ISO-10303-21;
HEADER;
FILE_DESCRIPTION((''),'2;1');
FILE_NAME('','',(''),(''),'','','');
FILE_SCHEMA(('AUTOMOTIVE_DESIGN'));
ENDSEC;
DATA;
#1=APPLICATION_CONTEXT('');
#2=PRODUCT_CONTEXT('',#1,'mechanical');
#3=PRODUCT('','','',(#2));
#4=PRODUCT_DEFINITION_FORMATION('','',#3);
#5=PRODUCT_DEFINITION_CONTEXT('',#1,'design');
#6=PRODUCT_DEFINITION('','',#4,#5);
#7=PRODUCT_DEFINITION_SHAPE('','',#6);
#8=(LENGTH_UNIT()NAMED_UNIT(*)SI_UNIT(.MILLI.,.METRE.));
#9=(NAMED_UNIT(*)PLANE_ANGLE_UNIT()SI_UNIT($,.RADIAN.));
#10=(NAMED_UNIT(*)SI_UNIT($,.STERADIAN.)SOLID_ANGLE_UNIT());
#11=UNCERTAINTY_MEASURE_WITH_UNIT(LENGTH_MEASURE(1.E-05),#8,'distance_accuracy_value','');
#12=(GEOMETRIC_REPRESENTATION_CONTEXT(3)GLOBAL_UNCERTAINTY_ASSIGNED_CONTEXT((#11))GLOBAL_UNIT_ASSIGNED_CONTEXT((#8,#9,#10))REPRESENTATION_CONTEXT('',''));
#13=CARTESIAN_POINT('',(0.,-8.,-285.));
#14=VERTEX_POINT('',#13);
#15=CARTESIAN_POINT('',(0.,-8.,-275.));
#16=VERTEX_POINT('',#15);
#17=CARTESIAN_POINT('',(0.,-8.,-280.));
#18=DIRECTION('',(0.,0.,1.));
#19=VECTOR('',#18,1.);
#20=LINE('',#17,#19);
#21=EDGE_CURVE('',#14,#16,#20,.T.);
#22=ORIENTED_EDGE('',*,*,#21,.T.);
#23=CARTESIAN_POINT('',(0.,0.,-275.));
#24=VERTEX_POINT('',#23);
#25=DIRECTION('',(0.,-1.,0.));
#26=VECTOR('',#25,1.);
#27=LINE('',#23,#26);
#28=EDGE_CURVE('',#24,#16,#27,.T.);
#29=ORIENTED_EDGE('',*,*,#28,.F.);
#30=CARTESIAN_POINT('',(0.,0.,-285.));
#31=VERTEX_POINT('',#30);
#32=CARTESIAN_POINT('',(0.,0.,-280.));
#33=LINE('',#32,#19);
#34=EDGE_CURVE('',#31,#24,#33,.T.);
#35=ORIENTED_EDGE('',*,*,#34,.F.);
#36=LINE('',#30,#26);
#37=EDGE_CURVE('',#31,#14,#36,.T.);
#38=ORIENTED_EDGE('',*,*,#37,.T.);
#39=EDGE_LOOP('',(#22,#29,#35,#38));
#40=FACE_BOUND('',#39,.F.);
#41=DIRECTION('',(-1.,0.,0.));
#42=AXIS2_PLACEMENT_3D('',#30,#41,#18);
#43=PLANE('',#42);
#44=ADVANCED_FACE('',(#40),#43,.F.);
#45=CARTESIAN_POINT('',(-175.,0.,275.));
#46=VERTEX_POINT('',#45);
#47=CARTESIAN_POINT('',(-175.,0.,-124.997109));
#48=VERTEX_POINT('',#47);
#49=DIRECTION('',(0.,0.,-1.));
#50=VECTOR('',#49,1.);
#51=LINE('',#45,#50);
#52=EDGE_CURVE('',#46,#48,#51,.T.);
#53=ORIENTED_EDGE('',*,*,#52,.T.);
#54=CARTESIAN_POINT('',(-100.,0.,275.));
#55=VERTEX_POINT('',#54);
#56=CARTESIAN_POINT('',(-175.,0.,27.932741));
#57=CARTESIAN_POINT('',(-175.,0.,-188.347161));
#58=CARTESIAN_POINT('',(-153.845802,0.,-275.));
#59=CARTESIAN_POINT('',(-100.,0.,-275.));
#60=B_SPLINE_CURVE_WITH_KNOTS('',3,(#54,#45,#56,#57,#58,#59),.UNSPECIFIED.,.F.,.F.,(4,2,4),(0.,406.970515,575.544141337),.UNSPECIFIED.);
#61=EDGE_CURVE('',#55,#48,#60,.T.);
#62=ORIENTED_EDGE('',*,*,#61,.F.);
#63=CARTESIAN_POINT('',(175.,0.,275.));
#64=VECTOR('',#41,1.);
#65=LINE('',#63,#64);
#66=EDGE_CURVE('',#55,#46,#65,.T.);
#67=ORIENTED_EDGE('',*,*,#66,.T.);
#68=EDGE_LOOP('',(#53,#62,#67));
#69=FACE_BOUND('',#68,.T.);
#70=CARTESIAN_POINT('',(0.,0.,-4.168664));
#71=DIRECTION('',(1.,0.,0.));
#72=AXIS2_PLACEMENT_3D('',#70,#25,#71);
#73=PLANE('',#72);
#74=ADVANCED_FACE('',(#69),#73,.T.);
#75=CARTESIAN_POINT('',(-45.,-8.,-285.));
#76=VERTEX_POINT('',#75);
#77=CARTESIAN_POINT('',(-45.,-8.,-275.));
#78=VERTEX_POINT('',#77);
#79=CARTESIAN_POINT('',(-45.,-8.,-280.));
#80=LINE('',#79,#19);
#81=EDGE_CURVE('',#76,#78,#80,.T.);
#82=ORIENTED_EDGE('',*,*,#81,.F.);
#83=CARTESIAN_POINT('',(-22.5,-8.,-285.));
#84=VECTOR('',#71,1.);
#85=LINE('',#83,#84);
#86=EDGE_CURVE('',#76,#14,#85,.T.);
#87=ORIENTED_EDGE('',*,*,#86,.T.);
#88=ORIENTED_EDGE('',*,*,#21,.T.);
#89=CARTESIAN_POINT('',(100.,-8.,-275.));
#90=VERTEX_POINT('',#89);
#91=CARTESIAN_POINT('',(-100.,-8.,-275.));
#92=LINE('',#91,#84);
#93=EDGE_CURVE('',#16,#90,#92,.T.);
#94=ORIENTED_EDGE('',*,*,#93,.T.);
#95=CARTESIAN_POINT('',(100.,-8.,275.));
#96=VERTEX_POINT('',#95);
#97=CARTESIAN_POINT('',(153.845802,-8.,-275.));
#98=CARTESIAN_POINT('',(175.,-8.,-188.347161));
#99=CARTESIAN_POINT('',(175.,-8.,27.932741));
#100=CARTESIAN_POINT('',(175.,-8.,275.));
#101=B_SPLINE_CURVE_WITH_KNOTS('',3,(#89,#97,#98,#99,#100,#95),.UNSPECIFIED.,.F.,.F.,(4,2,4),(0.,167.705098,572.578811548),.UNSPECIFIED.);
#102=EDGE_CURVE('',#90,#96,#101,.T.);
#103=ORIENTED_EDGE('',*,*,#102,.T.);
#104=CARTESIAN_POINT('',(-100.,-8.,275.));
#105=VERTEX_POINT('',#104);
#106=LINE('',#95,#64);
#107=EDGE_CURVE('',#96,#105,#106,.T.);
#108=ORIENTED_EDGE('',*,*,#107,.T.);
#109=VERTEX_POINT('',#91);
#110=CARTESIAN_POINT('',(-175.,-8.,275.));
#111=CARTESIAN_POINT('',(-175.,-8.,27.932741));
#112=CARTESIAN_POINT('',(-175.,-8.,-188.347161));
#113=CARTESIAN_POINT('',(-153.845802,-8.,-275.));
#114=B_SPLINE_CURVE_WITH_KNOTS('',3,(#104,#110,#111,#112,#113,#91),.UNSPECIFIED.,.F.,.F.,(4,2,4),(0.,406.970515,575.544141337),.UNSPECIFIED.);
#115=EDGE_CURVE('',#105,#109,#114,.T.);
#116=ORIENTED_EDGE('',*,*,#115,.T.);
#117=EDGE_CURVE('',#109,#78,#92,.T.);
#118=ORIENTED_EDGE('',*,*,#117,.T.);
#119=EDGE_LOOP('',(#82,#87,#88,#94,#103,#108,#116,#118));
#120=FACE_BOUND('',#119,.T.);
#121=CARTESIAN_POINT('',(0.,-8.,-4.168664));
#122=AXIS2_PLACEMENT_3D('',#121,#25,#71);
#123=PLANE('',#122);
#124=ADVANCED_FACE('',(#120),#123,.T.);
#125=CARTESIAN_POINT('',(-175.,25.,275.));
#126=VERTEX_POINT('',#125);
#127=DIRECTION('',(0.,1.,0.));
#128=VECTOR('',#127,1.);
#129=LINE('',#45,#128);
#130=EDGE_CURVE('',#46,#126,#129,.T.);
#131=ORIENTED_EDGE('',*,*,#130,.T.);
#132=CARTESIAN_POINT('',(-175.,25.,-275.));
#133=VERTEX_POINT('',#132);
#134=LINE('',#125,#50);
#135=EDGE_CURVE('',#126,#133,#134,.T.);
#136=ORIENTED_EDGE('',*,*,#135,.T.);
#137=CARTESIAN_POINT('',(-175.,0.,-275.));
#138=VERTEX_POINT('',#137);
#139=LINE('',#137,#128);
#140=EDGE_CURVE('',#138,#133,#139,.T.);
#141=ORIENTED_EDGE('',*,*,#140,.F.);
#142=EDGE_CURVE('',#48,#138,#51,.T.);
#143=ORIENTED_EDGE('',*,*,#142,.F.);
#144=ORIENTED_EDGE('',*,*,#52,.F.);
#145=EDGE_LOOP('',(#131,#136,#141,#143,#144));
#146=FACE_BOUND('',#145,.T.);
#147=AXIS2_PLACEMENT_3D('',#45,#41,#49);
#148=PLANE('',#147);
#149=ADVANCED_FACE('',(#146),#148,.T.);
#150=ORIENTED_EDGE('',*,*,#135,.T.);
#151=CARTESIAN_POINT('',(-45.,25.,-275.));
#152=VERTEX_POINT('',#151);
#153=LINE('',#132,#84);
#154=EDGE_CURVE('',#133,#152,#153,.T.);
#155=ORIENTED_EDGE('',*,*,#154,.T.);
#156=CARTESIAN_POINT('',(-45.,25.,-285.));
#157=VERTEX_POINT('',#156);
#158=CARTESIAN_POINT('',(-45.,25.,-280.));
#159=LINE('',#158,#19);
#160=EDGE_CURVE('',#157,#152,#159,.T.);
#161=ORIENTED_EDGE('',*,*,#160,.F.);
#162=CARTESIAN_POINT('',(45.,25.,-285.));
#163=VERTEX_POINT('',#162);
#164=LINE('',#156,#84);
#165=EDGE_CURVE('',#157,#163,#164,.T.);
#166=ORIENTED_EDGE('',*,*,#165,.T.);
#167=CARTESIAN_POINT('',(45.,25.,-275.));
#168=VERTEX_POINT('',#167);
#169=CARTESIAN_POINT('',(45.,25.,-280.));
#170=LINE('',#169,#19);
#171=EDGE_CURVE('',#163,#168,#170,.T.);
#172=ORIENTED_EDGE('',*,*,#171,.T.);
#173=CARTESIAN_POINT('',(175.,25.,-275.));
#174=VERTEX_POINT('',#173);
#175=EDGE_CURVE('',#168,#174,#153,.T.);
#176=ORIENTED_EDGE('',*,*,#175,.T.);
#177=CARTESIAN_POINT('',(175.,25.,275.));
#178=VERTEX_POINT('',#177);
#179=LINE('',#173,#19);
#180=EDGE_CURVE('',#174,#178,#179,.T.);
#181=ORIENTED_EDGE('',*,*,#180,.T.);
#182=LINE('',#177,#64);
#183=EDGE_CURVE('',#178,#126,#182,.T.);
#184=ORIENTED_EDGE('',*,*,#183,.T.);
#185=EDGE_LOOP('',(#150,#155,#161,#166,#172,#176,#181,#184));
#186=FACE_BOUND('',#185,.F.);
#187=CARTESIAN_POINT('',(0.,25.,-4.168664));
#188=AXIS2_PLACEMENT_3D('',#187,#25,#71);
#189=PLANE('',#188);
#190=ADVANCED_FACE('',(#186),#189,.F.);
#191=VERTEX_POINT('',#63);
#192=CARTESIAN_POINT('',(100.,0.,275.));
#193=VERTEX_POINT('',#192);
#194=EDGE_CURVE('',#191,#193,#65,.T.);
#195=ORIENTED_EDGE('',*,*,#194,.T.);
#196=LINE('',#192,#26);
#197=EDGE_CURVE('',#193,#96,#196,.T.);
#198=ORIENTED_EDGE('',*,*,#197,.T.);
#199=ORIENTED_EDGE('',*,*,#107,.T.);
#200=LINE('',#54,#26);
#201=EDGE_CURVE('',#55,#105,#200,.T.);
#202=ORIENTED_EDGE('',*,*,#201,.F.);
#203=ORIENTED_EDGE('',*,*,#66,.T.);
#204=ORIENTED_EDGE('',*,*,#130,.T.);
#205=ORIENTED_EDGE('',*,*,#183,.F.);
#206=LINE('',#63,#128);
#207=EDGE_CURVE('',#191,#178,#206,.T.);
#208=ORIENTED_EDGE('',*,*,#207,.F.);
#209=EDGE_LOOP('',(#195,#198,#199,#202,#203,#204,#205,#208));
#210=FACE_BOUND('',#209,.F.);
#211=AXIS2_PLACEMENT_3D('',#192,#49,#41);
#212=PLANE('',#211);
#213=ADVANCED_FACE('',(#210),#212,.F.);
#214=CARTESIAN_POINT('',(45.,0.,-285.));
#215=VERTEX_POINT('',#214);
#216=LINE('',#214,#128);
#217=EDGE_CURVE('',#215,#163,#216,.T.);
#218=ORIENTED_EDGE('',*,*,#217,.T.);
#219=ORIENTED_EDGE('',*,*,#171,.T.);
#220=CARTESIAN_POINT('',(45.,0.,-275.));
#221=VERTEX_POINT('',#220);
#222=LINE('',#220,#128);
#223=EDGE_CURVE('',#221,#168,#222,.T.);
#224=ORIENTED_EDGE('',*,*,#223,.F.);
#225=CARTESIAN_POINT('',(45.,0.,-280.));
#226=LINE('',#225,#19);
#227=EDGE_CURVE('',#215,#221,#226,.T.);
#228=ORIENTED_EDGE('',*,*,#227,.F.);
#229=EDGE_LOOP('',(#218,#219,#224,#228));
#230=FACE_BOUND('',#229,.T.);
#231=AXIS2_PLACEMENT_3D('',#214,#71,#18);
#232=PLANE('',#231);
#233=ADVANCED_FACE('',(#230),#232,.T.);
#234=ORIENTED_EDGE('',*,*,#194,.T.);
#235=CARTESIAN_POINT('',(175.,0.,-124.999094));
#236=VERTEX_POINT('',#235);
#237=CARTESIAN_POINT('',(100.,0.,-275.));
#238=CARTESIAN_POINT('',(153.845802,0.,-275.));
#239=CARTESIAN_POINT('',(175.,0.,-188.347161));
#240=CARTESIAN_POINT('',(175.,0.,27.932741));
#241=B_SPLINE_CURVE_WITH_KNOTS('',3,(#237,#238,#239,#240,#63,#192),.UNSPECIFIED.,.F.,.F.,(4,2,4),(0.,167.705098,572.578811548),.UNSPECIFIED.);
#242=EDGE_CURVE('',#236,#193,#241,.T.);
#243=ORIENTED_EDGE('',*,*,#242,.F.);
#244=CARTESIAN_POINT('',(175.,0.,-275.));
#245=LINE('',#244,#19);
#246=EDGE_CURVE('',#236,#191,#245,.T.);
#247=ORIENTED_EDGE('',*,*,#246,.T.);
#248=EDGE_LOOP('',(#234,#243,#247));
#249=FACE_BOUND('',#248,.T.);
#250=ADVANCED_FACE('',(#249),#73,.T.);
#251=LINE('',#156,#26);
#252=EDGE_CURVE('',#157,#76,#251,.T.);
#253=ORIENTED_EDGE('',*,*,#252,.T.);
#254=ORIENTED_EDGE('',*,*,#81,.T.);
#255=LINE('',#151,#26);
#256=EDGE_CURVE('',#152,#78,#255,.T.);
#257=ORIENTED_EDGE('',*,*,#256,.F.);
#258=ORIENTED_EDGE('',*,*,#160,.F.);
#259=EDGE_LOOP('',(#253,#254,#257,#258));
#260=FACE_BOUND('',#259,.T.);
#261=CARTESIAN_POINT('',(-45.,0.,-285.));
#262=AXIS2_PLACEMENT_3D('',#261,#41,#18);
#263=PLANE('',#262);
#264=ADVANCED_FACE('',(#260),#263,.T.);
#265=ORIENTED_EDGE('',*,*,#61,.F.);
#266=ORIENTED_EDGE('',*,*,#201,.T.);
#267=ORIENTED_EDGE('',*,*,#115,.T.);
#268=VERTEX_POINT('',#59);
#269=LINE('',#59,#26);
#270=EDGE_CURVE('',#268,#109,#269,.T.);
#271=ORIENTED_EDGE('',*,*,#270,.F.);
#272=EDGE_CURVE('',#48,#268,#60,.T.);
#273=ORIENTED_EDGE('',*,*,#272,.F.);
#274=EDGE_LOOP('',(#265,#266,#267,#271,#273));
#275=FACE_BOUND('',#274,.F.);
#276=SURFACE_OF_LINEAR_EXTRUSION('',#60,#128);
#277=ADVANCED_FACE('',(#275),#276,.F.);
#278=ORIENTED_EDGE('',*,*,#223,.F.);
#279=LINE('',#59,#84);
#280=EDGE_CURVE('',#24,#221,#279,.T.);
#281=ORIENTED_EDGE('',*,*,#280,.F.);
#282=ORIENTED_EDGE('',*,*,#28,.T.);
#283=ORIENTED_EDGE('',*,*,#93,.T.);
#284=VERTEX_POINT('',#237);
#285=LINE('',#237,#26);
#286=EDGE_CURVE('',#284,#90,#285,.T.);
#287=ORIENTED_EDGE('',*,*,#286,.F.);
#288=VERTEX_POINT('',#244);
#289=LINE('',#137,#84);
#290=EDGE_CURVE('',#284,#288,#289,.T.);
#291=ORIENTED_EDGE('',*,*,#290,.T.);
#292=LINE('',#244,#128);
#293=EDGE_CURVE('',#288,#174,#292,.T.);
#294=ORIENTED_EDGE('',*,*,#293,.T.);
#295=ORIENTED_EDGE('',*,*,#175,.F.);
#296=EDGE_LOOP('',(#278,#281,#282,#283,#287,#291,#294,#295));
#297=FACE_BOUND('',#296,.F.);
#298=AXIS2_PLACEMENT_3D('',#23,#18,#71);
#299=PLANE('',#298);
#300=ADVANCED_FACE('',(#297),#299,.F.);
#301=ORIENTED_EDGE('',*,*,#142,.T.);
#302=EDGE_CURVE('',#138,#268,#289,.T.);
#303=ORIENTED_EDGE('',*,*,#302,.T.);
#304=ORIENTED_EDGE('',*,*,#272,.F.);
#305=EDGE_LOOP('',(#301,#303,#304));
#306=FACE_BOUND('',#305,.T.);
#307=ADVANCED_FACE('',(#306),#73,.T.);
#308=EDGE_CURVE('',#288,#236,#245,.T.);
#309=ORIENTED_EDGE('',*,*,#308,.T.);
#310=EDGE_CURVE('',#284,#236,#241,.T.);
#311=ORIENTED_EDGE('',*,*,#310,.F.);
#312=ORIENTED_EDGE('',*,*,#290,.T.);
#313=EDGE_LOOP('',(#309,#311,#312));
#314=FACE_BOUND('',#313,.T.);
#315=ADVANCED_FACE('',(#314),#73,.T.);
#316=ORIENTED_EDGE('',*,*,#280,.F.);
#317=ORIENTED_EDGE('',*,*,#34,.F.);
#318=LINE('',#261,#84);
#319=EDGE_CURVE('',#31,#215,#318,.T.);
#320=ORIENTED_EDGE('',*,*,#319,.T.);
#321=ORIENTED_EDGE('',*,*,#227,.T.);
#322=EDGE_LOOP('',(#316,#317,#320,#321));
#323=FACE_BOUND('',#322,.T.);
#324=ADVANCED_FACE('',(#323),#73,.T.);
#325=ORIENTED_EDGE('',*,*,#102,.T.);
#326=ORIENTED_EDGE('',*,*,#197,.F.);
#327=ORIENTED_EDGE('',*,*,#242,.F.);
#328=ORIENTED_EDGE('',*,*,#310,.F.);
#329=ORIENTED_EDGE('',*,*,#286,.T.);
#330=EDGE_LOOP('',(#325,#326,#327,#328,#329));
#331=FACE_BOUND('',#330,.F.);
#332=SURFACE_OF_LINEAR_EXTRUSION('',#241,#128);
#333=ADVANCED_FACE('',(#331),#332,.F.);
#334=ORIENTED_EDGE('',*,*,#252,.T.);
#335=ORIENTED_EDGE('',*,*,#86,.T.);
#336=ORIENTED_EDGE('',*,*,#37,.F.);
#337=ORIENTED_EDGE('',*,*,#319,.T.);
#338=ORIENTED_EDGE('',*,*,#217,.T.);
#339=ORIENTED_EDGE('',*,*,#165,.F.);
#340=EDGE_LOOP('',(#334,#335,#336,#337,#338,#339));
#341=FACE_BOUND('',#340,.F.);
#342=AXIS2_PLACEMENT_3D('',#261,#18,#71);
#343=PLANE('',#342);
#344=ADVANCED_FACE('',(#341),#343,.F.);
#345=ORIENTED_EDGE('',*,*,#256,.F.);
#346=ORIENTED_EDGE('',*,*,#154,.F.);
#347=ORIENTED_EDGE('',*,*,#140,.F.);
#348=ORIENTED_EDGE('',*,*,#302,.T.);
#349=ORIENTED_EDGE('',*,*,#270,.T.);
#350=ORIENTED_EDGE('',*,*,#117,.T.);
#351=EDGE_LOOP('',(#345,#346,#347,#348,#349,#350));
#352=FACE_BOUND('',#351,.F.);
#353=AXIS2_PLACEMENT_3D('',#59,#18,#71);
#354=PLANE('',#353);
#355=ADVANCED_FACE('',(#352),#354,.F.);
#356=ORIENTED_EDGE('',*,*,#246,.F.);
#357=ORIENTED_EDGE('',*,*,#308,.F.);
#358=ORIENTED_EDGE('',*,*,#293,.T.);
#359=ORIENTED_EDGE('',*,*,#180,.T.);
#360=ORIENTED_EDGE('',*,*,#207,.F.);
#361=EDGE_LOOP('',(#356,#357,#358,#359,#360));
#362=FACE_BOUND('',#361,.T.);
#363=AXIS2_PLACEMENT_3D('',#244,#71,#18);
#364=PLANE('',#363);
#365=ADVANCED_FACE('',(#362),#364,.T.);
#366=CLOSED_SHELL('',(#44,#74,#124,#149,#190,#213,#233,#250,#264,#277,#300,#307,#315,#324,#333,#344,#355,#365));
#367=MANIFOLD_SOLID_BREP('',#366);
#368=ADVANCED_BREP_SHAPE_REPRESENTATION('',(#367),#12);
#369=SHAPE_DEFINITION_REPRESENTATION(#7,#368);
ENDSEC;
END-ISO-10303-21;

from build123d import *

# Parameters (mm, degrees)
F0_W     = 45
F0_H     = 10
F1_DEPTH = 25
F2_DEPTH = 8


with BuildPart() as f1:
    # F0 (on Front) → F1 (new body)
    with BuildSketch(Plane.XZ):
        with BuildLine():
            add(Edge.make_bspline(
                [(-100, 275), (-175, 275), (-175, 27.932741), (-175, -125)],
                knots=[0, 0, 0, 0, 406.970515, 406.970515, 406.970515, 406.970515], degree=3))
            add(Edge.make_bspline(
                [(-100, -275), (-153.845802, -275), (-175, -188.347161), (-175, -125)],
                knots=[0, 0, 0, 0, 167.705098, 167.705098, 167.705098, 167.705098], degree=3))
            Line((-100, -275), (-45, -275))
            Line((-45, -275), (0, -275))
            Line((0, -275), (45, -275))
            Line((45, -275), (100, -275))
            add(Edge.make_bspline(
                [(100, -275), (153.845802, -275), (175, -188.347161), (175, -125)],
                knots=[0, 0, 0, 0, 167.705098, 167.705098, 167.705098, 167.705098], degree=3))
            add(Edge.make_bspline(
                [(100, 275), (175, 275), (175, 27.932741), (175, -125)],
                knots=[0, 0, 0, 0, 406.970515, 406.970515, 406.970515, 406.970515], degree=3))
            Line((100, 275), (-100, 275))
        make_face()
        with BuildLine():
            add(Edge.make_bspline(
                [(-100, -275), (-153.845802, -275), (-175, -188.347161), (-175, -125)],
                knots=[0, 0, 0, 0, 167.705098, 167.705098, 167.705098, 167.705098], degree=3))
            Line((-175, -125), (-175, -275))
            Line((-175, -275), (-100, -275))
        make_face()
        with BuildLine():
            Line((-100, 275), (-175, 275))
            Line((-175, 275), (-175, -125))
            add(Edge.make_bspline(
                [(-100, 275), (-175, 275), (-175, 27.932741), (-175, -125)],
                knots=[0, 0, 0, 0, 406.970515, 406.970515, 406.970515, 406.970515], degree=3))
        make_face()
        with BuildLine():
            Line((175, -275), (175, -125))
            add(Edge.make_bspline(
                [(100, -275), (153.845802, -275), (175, -188.347161), (175, -125)],
                knots=[0, 0, 0, 0, 167.705098, 167.705098, 167.705098, 167.705098], degree=3))
            Line((100, -275), (175, -275))
        make_face()
        with BuildLine():
            Line((175, 275), (100, 275))
            add(Edge.make_bspline(
                [(100, 275), (175, 275), (175, 27.932741), (175, -125)],
                knots=[0, 0, 0, 0, 406.970515, 406.970515, 406.970515, 406.970515], degree=3))
            Line((175, -125), (175, 275))
        make_face()
        with Locations((-22.5, -280)):
            Rectangle(F0_W, F0_H)
        with Locations((22.5, -280)):
            Rectangle(F0_W, F0_H)
    extrude(amount=-F1_DEPTH)

    # F0 (on Front) → F2 (join)
    with BuildSketch(Plane.XZ):
        with BuildLine():
            add(Edge.make_bspline(
                [(-100, 275), (-175, 275), (-175, 27.932741), (-175, -125)],
                knots=[0, 0, 0, 0, 406.970515, 406.970515, 406.970515, 406.970515], degree=3))
            add(Edge.make_bspline(
                [(-100, -275), (-153.845802, -275), (-175, -188.347161), (-175, -125)],
                knots=[0, 0, 0, 0, 167.705098, 167.705098, 167.705098, 167.705098], degree=3))
            Line((-100, -275), (-45, -275))
            Line((-45, -275), (0, -275))
            Line((0, -275), (45, -275))
            Line((45, -275), (100, -275))
            add(Edge.make_bspline(
                [(100, -275), (153.845802, -275), (175, -188.347161), (175, -125)],
                knots=[0, 0, 0, 0, 167.705098, 167.705098, 167.705098, 167.705098], degree=3))
            add(Edge.make_bspline(
                [(100, 275), (175, 275), (175, 27.932741), (175, -125)],
                knots=[0, 0, 0, 0, 406.970515, 406.970515, 406.970515, 406.970515], degree=3))
            Line((100, 275), (-100, 275))
        make_face()
        with Locations((-22.5, -280)):
            Rectangle(F0_W, F0_H)
    extrude(amount=F2_DEPTH)


solid = f1.part
